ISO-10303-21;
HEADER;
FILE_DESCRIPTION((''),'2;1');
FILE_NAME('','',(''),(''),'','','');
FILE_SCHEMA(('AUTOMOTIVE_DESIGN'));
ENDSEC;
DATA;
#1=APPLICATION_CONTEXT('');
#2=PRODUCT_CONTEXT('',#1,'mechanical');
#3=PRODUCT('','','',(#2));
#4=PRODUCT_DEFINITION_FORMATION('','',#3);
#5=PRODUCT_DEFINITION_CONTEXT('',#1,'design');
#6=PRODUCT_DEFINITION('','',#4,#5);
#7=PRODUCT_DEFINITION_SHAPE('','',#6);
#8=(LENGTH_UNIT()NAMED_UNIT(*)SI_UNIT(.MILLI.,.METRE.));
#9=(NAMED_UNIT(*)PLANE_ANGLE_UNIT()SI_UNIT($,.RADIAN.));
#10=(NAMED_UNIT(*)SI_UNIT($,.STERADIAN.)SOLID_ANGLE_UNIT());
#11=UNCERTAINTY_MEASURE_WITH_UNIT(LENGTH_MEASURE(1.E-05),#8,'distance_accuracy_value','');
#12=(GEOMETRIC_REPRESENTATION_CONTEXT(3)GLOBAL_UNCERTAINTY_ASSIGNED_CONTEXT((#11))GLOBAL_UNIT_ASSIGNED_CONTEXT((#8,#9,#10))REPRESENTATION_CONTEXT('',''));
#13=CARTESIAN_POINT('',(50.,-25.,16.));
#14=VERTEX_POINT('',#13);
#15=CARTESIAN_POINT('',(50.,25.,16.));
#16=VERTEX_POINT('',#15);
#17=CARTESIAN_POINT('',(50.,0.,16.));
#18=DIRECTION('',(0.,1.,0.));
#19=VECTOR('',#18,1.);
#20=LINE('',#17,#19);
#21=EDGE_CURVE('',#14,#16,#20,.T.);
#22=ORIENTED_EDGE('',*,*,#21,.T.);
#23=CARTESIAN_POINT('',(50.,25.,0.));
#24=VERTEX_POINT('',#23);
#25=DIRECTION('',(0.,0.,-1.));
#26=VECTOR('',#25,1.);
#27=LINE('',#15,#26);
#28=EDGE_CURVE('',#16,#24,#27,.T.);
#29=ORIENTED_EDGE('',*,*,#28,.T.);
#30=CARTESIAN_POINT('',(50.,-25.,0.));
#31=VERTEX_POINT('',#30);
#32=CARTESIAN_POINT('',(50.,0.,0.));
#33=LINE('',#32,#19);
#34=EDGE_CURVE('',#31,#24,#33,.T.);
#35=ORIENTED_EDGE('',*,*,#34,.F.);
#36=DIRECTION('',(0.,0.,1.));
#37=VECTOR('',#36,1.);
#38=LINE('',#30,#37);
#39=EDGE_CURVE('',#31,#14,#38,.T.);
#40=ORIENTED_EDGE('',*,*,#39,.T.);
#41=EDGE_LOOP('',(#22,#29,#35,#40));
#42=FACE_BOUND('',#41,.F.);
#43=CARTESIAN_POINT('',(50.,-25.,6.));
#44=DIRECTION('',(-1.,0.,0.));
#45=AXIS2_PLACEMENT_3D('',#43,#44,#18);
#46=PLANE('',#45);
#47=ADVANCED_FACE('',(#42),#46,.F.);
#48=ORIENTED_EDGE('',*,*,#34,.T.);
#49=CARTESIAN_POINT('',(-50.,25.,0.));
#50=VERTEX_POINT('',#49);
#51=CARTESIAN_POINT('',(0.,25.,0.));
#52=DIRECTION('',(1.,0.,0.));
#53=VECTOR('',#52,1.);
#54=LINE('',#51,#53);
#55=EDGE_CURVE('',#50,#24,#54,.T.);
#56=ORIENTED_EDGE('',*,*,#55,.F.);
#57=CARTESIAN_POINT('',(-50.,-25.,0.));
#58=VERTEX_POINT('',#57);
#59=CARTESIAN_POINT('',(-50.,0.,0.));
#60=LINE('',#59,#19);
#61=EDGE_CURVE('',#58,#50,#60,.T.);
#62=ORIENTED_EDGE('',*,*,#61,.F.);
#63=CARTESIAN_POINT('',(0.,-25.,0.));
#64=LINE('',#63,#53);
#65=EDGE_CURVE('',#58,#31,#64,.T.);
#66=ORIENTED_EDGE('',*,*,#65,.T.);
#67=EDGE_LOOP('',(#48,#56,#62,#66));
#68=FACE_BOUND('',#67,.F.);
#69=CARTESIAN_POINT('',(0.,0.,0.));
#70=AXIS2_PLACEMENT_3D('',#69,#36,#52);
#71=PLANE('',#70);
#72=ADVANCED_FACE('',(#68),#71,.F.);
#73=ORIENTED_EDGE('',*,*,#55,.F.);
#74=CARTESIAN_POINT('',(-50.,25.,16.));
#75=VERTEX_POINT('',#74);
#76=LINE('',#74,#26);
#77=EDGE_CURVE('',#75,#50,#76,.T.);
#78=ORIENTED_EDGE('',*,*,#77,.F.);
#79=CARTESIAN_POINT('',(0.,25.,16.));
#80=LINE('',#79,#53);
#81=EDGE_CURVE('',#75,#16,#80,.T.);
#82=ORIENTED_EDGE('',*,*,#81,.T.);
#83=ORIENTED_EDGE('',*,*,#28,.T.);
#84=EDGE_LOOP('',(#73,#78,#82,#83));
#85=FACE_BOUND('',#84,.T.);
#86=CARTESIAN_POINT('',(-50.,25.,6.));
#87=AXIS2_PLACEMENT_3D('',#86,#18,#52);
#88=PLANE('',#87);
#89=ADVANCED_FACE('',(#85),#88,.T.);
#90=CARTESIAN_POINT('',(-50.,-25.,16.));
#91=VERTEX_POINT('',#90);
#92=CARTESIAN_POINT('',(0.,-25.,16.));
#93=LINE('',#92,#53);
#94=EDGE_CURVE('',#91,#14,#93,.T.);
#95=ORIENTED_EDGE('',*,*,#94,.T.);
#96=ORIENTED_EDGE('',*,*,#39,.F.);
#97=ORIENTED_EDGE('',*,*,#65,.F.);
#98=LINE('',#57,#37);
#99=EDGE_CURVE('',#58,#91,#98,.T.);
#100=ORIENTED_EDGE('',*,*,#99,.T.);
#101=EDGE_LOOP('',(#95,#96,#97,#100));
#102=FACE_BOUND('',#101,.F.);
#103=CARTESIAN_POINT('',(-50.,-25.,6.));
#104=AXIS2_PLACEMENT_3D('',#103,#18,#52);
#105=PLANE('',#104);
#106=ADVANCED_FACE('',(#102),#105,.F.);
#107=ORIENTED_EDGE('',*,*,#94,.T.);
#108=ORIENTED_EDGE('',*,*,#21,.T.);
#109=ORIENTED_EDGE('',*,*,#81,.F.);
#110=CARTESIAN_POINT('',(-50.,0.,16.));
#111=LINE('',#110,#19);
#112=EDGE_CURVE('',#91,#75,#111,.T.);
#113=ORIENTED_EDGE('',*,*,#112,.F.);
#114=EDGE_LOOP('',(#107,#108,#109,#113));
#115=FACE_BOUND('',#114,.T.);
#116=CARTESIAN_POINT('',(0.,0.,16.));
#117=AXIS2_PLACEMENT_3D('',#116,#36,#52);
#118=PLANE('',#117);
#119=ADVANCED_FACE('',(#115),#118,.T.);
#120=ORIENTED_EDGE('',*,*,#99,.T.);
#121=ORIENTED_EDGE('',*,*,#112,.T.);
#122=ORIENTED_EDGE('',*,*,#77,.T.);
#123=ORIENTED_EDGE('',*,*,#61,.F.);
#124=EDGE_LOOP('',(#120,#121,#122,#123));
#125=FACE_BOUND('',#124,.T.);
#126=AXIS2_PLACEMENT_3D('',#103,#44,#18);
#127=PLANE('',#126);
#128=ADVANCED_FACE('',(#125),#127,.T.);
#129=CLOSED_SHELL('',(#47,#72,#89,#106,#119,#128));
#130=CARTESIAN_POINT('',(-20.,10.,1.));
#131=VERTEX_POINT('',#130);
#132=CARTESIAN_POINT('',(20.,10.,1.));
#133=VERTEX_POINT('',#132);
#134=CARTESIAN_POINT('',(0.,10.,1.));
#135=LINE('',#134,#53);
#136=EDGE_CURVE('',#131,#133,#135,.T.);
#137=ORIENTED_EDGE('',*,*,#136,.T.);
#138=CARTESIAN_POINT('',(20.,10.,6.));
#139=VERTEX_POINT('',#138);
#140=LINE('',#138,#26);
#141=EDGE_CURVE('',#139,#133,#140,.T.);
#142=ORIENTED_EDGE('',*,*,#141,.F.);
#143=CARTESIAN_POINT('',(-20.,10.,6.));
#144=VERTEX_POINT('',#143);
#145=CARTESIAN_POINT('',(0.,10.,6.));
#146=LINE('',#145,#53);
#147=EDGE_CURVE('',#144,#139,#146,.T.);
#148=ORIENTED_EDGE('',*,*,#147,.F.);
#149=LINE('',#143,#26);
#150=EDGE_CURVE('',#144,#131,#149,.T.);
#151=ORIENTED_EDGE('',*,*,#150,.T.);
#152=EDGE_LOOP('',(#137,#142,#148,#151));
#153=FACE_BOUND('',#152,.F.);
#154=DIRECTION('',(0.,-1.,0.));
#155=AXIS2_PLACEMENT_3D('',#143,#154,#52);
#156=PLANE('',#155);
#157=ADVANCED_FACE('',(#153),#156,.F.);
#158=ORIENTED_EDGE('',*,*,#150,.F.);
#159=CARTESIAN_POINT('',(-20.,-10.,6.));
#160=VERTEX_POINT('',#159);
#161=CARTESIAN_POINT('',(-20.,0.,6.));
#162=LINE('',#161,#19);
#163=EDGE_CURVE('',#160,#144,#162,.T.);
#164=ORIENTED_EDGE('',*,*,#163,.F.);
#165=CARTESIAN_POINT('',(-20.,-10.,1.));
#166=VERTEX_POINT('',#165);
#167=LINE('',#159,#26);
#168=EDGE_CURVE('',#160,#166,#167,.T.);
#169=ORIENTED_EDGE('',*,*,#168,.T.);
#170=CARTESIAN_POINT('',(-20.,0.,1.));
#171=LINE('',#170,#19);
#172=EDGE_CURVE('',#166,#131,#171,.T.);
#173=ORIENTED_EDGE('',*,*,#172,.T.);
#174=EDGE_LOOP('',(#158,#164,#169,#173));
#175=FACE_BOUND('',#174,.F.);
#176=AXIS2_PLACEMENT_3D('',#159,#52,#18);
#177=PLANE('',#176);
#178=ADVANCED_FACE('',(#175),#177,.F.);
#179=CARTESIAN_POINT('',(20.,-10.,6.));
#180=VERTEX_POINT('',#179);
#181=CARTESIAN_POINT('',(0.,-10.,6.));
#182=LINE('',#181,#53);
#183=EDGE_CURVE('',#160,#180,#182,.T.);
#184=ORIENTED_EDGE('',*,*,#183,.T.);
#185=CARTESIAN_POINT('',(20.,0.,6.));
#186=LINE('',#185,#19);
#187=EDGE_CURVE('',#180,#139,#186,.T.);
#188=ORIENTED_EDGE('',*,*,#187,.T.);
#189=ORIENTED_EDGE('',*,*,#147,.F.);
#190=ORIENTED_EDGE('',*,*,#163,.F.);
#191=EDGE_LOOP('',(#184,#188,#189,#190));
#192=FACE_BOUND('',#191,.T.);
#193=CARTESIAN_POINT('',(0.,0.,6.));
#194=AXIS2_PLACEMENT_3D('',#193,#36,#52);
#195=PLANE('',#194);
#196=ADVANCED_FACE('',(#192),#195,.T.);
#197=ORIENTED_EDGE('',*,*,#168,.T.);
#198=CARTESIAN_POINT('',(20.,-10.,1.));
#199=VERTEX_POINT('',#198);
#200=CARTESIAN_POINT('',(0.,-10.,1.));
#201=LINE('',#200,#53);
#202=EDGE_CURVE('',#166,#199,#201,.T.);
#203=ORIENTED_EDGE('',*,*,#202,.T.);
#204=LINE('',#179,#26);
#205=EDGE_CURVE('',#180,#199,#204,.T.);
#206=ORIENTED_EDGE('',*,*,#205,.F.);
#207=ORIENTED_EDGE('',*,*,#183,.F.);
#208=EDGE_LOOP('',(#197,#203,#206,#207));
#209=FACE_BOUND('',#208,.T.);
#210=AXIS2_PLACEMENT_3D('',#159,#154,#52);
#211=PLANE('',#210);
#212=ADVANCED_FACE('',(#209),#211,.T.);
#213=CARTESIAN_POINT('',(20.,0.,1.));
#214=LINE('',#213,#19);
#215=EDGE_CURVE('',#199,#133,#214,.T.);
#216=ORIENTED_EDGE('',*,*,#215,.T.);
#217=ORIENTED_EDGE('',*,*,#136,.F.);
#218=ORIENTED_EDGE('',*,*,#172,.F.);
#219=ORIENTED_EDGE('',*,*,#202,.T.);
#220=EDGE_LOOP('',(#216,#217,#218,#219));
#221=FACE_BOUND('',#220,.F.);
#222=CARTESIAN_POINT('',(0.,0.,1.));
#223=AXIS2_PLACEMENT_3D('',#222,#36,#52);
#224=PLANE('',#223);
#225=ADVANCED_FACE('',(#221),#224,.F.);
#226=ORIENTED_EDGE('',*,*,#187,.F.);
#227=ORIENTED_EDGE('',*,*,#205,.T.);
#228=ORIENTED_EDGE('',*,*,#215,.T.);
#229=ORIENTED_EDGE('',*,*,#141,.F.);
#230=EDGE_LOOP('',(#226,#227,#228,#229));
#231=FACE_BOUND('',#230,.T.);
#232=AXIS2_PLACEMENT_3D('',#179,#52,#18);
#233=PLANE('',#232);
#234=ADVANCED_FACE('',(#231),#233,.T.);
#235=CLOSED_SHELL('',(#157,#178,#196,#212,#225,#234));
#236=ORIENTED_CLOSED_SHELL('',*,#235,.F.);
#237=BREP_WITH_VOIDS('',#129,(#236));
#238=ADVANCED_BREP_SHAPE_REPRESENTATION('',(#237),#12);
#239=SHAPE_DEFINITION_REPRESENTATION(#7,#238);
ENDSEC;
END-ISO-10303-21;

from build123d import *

# Parameters (mm, degrees)
SKETCH_W     = 100
SKETCH_H     = 50
PAD_DEPTH    = 6
SKETCH001_W  = 40
SKETCH001_H  = 20
POCKET_DEPTH = 5
SKETCH003_W  = 100
SKETCH003_H  = 50
PAD001_DEPTH = 10


with BuildPart() as part:
    # Sketch → Pad (new body)
    with BuildSketch(Plane.XY):
        Rectangle(SKETCH_W, SKETCH_H)
    extrude(amount=PAD_DEPTH)

    # Sketch001 (on Face6 of Pad) → Pocket (cut)
    with BuildSketch(Plane.XY.offset(6)):
        Rectangle(SKETCH001_W, SKETCH001_H)
    extrude(amount=-POCKET_DEPTH, mode=Mode.SUBTRACT)

    # Sketch003 (on Face5 of Pocket) → Pad001 (join)
    with BuildSketch(Plane.XY.offset(6)):
        Rectangle(SKETCH003_W, SKETCH003_H)
    extrude(amount=PAD001_DEPTH)


solid = part.part
